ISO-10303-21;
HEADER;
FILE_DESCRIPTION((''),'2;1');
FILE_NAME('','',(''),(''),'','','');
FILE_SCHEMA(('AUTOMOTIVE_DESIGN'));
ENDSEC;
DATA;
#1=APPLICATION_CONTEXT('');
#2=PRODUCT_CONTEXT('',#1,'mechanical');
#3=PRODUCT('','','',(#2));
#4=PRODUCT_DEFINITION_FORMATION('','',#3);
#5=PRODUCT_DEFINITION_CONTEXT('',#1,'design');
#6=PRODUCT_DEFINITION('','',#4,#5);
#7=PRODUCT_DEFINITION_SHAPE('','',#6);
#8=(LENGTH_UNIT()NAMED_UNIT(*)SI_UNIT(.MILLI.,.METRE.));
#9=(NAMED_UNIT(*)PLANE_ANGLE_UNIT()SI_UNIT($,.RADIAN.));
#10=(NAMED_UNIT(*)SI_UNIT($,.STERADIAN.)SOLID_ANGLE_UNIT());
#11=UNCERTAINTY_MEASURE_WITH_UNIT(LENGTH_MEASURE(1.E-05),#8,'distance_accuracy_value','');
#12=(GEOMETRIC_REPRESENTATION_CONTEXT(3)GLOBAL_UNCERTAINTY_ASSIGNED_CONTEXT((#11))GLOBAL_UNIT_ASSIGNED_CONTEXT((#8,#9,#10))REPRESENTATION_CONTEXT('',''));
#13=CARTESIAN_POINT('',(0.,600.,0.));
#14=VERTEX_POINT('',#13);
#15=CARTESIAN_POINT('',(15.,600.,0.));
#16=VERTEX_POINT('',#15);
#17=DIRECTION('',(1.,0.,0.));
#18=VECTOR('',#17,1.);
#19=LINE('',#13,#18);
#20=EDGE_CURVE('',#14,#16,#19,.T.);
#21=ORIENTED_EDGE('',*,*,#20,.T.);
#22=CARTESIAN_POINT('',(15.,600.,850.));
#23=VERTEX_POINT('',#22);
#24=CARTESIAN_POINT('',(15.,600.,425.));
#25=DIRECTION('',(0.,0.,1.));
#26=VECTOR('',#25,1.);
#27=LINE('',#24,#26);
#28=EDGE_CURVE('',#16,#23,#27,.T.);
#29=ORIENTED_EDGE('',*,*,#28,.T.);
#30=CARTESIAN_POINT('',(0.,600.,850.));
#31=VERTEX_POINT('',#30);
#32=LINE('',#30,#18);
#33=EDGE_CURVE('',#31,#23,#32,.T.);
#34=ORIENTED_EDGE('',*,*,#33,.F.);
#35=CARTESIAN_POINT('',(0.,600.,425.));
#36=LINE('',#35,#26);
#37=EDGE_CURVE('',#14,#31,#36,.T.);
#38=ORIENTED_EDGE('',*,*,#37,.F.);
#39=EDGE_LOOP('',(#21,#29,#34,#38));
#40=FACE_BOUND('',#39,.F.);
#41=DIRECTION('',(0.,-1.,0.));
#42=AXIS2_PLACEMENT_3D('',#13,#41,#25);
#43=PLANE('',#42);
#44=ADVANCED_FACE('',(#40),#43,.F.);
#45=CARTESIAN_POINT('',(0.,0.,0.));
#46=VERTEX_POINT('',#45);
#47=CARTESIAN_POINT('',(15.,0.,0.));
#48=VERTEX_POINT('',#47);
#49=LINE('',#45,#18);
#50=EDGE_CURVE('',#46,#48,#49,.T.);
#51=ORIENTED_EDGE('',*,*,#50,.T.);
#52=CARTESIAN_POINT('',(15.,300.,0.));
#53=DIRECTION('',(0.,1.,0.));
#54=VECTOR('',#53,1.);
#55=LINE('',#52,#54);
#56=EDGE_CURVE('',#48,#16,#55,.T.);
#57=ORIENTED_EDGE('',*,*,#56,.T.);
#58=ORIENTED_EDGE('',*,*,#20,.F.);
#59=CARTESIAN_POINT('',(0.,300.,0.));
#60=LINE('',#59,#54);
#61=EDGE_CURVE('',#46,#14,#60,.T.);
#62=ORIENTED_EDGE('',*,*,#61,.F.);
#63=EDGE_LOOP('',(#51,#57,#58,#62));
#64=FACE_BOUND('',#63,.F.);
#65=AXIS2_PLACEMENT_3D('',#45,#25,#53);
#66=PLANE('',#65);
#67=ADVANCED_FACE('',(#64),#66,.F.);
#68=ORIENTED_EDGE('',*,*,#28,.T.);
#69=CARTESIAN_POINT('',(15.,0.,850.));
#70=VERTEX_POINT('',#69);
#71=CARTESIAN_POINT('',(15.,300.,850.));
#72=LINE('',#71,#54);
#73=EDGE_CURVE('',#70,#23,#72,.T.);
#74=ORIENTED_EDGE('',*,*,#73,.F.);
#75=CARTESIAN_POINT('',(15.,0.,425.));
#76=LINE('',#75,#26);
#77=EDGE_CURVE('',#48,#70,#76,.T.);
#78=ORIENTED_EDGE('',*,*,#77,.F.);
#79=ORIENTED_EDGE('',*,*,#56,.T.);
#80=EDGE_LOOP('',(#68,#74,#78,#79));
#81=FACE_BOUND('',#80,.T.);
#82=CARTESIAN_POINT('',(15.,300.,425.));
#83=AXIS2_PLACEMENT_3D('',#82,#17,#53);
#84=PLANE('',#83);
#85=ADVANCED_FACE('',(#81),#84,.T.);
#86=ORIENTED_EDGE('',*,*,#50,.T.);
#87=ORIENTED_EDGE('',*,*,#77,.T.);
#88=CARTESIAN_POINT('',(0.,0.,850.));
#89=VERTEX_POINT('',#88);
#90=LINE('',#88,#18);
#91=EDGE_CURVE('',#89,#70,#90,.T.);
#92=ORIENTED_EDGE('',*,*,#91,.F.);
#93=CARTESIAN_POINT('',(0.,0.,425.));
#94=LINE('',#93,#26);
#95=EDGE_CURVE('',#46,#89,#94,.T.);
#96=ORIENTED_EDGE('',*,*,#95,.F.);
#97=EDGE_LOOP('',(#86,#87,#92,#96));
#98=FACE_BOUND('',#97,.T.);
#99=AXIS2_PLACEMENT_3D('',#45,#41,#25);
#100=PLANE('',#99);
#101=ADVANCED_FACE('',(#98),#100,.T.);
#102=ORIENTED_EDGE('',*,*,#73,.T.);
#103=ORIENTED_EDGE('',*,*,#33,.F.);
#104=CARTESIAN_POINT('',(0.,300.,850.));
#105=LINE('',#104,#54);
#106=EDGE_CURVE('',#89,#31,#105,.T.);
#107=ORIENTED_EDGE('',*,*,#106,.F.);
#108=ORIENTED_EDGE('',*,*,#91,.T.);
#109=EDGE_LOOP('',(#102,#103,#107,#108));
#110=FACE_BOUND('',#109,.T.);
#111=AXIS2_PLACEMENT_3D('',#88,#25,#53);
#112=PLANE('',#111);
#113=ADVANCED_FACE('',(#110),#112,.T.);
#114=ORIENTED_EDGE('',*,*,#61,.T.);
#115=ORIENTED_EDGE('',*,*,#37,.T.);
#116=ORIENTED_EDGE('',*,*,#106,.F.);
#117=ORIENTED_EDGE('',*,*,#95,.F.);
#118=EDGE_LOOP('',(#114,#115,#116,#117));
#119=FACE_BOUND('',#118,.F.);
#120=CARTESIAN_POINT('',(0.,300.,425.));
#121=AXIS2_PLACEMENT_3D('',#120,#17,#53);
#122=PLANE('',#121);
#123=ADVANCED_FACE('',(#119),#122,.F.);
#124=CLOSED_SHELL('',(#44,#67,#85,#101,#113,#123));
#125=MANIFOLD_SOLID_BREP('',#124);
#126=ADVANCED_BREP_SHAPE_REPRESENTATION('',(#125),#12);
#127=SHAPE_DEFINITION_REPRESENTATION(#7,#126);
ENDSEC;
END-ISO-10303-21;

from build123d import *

# Parameters (mm, degrees)
SKETCH_W  = 600
SKETCH_H  = 850
PAD_DEPTH = 15


with BuildPart() as part:
    # Sketch → Pad (new body)
    with BuildSketch(Plane.YZ):
        with Locations((300, 425)):
            Rectangle(SKETCH_W, SKETCH_H)
    extrude(amount=PAD_DEPTH)


solid = part.part
